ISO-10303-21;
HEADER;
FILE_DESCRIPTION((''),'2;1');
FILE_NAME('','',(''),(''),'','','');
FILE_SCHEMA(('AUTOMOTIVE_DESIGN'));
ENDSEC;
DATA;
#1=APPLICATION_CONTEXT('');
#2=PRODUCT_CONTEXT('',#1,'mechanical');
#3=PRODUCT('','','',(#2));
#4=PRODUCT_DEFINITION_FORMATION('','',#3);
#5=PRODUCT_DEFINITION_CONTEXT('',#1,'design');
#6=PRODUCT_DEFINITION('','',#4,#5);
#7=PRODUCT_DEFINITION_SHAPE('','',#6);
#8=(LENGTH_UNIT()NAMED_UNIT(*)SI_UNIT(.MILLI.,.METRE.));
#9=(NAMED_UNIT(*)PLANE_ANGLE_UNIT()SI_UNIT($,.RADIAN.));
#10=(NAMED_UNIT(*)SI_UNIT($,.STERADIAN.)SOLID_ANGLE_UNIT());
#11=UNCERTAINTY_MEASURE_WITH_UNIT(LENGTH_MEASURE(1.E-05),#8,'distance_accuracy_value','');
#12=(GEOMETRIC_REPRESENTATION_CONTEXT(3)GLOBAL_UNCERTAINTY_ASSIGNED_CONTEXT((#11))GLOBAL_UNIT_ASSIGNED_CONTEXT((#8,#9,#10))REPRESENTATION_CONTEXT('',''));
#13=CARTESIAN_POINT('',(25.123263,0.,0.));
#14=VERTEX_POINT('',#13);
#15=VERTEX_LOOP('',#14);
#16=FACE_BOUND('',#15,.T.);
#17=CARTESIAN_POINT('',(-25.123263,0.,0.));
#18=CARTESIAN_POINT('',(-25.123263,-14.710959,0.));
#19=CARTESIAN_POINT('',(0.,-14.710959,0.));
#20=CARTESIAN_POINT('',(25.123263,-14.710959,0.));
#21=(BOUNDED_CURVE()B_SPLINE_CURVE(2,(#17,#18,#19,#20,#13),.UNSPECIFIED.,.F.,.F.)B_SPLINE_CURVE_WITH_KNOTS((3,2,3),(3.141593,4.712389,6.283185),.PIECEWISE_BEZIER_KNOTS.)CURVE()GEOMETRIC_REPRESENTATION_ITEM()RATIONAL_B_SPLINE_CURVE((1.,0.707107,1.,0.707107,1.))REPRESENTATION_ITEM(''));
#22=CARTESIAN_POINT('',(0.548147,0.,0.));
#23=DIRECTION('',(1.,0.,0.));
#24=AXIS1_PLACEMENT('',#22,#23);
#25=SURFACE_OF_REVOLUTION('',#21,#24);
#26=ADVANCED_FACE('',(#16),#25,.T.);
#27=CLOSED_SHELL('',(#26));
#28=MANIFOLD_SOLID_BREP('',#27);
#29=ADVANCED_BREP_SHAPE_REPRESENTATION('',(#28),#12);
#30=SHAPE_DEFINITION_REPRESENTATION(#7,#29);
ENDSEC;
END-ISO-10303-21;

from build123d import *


with BuildPart() as f1:
    # F0 (on Top) → F1 (revolve)
    with BuildSketch(Plane.XY):
        with BuildLine():
            add(Edge.make_bspline(
                [(-25.123263, 0), (-25.123263, -14.710959), (0, -14.710959), (25.123263, -14.710959), (25.123263, 0)],
                knots=[3.141593, 3.141593, 3.141593, 4.712389, 4.712389, 6.283185, 6.283185, 6.283185], degree=2, weights=[1, 0.707107, 1, 0.707107, 1]))
            Line((25.123263, 0), (-25.123263, 0))
        make_face()
    revolve(axis=Axis((0.548147, 0, 0), (1, 0, 0)))


solid = f1.part
